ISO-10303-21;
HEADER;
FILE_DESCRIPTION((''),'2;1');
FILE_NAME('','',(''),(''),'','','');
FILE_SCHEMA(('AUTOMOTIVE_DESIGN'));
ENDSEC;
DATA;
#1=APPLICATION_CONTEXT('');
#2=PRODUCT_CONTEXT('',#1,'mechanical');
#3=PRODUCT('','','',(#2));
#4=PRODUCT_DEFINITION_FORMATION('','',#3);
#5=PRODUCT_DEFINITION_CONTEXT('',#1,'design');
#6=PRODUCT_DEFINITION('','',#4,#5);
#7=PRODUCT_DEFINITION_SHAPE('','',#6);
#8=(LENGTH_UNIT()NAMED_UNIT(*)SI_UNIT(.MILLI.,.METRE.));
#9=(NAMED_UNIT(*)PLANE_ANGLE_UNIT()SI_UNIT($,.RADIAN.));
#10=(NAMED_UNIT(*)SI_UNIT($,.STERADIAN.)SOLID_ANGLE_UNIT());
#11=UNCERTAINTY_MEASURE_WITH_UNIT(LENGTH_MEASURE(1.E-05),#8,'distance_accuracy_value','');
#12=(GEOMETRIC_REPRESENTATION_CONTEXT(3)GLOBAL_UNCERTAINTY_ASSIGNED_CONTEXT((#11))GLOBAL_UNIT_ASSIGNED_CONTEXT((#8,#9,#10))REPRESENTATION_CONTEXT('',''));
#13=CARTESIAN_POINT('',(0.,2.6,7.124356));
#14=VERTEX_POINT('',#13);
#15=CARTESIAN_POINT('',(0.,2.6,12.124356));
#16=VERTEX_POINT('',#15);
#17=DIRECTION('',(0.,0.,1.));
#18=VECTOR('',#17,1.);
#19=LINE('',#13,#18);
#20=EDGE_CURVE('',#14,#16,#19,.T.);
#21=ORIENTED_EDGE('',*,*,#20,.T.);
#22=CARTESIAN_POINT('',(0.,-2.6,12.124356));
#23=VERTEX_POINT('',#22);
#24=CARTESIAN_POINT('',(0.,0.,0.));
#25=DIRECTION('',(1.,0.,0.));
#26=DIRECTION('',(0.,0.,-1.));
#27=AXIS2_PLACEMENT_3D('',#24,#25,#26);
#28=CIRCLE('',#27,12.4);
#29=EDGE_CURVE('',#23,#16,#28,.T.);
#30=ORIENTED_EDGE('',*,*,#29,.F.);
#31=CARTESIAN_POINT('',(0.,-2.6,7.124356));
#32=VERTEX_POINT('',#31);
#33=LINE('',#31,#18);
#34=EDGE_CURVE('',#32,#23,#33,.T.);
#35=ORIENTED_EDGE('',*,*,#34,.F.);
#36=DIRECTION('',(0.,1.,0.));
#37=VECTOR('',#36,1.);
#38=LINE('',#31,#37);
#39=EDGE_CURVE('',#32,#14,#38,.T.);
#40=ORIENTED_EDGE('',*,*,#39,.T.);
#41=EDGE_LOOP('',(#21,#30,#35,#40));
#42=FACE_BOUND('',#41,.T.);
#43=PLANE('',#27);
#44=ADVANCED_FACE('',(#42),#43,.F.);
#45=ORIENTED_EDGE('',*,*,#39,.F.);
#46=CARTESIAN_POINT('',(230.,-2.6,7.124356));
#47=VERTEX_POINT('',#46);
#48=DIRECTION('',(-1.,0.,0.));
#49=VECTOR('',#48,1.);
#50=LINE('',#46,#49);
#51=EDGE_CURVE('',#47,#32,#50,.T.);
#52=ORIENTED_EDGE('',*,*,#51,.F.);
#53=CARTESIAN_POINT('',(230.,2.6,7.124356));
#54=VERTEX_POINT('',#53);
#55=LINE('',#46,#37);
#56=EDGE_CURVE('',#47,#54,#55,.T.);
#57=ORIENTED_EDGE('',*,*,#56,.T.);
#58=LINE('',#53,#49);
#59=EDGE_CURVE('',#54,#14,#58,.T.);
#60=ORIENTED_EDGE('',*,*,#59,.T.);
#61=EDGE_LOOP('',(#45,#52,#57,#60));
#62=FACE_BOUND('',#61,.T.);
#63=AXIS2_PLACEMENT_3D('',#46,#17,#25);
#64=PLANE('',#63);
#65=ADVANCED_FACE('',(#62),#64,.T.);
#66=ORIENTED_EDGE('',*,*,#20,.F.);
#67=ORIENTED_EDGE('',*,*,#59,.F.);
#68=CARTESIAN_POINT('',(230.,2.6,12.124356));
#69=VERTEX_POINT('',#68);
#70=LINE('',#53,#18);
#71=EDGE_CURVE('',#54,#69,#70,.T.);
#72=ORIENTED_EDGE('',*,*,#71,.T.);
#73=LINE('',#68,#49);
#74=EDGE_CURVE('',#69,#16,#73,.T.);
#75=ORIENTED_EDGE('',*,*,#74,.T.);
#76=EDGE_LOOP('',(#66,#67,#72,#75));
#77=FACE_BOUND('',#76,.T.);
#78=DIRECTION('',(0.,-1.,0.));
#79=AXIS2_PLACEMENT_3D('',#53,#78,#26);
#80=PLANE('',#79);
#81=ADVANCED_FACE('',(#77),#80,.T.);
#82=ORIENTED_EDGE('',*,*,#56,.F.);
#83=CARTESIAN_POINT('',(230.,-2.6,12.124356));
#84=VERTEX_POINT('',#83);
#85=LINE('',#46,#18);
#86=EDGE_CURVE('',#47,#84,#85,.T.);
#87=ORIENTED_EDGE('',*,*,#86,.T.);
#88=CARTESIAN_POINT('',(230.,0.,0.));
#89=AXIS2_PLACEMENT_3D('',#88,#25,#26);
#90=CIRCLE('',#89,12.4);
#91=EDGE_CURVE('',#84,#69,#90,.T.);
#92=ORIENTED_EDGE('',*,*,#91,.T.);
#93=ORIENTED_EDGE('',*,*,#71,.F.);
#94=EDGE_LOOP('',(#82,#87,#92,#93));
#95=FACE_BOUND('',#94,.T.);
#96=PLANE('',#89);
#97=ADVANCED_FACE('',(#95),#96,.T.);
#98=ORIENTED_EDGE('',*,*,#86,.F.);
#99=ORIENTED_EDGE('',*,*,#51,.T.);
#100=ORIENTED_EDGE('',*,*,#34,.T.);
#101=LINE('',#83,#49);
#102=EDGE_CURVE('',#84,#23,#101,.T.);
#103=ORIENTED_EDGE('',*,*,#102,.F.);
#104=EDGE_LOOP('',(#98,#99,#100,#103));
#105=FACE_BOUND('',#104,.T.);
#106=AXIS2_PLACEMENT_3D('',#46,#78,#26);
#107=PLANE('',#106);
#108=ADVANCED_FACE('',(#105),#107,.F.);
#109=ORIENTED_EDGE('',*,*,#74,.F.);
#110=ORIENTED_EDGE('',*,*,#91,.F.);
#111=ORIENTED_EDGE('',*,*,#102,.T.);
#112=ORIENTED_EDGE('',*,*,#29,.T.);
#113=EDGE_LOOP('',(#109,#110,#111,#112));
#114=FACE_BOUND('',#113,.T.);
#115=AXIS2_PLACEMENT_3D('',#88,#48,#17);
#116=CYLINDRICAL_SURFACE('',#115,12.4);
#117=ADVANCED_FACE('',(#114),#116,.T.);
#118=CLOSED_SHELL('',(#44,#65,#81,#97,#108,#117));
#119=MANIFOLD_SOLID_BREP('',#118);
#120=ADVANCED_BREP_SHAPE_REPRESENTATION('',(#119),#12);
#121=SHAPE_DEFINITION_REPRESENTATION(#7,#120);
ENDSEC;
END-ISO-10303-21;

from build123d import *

# Parameters (mm, degrees)
BOSS_EXTRUDE2_DEPTH = 230


with BuildPart() as part:
    # Sketch1 → Boss-Extrude2 (new body)
    with BuildSketch(Plane.YZ):
        with BuildLine():
            Line((2.6, 7.124355653), (-2.6, 7.124355653))
            Line((-2.6, 7.124355653), (-2.6, 12.124355653))
            ThreePointArc((-2.6, 12.124355653), (-7.794870108, -9.643650761), (12.4, 0))
            ThreePointArc((12.4, 0), (9.643650761, 7.794870108), (2.6, 12.124355653))
            Line((2.6, 12.124355653), (2.6, 7.124355653))
        make_face()
    extrude(amount=BOSS_EXTRUDE2_DEPTH)


solid = part.part
